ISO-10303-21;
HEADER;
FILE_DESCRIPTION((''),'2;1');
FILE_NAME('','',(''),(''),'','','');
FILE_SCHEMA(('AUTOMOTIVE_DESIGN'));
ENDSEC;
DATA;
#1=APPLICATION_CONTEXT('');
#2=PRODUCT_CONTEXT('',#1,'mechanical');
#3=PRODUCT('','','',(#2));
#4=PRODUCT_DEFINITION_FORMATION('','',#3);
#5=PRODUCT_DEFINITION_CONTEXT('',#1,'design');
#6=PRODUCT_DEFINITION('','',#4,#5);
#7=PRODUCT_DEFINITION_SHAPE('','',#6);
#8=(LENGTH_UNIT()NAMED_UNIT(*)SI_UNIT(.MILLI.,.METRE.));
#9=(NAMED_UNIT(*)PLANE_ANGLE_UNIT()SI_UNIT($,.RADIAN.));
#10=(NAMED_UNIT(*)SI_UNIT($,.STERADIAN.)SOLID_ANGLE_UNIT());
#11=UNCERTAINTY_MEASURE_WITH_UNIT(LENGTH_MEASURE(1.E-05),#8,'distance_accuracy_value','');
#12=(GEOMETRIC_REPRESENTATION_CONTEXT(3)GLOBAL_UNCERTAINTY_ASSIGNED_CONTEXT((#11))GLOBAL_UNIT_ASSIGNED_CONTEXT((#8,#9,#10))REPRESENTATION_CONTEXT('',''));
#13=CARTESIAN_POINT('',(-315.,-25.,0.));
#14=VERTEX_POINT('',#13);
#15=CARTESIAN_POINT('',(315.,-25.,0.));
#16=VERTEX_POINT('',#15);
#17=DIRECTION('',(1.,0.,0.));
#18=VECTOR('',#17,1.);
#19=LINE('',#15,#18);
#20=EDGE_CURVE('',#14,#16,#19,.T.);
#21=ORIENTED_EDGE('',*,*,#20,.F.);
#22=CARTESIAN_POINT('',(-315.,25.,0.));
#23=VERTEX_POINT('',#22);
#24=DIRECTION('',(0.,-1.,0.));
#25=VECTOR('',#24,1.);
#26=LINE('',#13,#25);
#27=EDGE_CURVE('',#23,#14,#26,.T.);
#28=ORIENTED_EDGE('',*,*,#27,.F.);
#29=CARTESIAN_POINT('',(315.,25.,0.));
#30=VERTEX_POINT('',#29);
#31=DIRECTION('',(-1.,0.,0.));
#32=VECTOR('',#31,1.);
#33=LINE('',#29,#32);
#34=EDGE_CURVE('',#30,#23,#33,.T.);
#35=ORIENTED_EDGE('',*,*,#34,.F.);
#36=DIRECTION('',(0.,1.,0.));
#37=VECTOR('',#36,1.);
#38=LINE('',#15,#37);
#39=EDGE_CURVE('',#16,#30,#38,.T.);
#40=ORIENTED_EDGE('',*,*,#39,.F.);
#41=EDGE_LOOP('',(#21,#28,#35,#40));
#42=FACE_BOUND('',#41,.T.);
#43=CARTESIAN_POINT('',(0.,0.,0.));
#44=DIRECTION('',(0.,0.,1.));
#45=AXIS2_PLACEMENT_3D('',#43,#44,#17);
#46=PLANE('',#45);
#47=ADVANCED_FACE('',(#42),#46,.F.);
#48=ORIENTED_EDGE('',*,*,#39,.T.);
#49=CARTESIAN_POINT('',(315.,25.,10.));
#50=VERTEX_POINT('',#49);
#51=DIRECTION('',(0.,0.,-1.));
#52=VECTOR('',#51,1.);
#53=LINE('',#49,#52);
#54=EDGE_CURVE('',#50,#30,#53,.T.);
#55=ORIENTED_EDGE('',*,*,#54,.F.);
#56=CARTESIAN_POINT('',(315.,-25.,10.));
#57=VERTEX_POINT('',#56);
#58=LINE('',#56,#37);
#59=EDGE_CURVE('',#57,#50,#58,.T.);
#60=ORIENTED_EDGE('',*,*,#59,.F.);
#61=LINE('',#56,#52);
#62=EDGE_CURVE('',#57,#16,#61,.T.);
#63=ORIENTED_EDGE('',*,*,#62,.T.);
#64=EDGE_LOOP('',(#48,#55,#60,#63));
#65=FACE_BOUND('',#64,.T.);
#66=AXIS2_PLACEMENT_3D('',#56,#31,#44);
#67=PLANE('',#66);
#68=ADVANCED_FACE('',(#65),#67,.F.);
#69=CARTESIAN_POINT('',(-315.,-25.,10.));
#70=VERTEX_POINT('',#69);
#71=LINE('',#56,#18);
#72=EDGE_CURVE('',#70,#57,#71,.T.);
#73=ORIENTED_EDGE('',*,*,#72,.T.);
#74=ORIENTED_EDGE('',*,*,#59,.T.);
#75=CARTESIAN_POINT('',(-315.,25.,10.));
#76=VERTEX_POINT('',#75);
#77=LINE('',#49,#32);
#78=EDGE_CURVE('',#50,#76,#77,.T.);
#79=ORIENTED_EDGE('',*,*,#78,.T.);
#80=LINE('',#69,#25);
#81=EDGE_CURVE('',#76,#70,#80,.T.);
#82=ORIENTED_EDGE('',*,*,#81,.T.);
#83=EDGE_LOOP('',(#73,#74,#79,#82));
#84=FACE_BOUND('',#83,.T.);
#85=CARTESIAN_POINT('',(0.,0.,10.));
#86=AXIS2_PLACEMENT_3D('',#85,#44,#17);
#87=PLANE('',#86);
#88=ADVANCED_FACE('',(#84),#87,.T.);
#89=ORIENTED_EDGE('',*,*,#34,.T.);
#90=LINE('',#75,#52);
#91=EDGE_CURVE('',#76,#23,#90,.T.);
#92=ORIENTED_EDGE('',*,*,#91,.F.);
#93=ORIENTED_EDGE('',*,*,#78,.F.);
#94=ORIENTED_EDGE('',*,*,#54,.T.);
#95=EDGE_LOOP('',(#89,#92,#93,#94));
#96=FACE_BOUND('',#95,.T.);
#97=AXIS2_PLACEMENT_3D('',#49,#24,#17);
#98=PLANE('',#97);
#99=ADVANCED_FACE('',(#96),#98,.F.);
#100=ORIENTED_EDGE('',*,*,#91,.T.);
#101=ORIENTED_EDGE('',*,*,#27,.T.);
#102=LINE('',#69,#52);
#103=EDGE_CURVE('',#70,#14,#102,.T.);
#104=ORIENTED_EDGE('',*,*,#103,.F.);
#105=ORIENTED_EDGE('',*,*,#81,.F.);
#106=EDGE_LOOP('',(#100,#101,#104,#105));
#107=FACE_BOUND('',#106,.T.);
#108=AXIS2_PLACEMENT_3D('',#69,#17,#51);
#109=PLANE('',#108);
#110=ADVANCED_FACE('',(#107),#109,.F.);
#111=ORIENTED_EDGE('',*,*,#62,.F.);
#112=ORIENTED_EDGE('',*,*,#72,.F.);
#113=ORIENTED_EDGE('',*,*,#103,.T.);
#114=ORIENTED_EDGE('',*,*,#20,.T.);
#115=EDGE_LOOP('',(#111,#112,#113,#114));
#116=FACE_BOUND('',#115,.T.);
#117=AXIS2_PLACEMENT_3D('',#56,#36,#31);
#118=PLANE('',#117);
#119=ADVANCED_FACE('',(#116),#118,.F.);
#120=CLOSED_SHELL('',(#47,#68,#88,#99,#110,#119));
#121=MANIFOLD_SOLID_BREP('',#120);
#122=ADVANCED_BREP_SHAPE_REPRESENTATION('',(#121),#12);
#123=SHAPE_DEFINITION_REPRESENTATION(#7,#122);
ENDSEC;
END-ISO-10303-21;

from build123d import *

# Parameters (mm, degrees)
IZIM1_W                     = 630
IZIM1_H                     = 50
Y_KSEKLIK_EKSTR_ZYON1_DEPTH = 10


with BuildPart() as part:
    # Çizim1 → Yükseklik-Ekstrüzyon1 (new body)
    with BuildSketch(Plane.XY):
        Rectangle(IZIM1_W, IZIM1_H)
    extrude(amount=Y_KSEKLIK_EKSTR_ZYON1_DEPTH)


solid = part.part
